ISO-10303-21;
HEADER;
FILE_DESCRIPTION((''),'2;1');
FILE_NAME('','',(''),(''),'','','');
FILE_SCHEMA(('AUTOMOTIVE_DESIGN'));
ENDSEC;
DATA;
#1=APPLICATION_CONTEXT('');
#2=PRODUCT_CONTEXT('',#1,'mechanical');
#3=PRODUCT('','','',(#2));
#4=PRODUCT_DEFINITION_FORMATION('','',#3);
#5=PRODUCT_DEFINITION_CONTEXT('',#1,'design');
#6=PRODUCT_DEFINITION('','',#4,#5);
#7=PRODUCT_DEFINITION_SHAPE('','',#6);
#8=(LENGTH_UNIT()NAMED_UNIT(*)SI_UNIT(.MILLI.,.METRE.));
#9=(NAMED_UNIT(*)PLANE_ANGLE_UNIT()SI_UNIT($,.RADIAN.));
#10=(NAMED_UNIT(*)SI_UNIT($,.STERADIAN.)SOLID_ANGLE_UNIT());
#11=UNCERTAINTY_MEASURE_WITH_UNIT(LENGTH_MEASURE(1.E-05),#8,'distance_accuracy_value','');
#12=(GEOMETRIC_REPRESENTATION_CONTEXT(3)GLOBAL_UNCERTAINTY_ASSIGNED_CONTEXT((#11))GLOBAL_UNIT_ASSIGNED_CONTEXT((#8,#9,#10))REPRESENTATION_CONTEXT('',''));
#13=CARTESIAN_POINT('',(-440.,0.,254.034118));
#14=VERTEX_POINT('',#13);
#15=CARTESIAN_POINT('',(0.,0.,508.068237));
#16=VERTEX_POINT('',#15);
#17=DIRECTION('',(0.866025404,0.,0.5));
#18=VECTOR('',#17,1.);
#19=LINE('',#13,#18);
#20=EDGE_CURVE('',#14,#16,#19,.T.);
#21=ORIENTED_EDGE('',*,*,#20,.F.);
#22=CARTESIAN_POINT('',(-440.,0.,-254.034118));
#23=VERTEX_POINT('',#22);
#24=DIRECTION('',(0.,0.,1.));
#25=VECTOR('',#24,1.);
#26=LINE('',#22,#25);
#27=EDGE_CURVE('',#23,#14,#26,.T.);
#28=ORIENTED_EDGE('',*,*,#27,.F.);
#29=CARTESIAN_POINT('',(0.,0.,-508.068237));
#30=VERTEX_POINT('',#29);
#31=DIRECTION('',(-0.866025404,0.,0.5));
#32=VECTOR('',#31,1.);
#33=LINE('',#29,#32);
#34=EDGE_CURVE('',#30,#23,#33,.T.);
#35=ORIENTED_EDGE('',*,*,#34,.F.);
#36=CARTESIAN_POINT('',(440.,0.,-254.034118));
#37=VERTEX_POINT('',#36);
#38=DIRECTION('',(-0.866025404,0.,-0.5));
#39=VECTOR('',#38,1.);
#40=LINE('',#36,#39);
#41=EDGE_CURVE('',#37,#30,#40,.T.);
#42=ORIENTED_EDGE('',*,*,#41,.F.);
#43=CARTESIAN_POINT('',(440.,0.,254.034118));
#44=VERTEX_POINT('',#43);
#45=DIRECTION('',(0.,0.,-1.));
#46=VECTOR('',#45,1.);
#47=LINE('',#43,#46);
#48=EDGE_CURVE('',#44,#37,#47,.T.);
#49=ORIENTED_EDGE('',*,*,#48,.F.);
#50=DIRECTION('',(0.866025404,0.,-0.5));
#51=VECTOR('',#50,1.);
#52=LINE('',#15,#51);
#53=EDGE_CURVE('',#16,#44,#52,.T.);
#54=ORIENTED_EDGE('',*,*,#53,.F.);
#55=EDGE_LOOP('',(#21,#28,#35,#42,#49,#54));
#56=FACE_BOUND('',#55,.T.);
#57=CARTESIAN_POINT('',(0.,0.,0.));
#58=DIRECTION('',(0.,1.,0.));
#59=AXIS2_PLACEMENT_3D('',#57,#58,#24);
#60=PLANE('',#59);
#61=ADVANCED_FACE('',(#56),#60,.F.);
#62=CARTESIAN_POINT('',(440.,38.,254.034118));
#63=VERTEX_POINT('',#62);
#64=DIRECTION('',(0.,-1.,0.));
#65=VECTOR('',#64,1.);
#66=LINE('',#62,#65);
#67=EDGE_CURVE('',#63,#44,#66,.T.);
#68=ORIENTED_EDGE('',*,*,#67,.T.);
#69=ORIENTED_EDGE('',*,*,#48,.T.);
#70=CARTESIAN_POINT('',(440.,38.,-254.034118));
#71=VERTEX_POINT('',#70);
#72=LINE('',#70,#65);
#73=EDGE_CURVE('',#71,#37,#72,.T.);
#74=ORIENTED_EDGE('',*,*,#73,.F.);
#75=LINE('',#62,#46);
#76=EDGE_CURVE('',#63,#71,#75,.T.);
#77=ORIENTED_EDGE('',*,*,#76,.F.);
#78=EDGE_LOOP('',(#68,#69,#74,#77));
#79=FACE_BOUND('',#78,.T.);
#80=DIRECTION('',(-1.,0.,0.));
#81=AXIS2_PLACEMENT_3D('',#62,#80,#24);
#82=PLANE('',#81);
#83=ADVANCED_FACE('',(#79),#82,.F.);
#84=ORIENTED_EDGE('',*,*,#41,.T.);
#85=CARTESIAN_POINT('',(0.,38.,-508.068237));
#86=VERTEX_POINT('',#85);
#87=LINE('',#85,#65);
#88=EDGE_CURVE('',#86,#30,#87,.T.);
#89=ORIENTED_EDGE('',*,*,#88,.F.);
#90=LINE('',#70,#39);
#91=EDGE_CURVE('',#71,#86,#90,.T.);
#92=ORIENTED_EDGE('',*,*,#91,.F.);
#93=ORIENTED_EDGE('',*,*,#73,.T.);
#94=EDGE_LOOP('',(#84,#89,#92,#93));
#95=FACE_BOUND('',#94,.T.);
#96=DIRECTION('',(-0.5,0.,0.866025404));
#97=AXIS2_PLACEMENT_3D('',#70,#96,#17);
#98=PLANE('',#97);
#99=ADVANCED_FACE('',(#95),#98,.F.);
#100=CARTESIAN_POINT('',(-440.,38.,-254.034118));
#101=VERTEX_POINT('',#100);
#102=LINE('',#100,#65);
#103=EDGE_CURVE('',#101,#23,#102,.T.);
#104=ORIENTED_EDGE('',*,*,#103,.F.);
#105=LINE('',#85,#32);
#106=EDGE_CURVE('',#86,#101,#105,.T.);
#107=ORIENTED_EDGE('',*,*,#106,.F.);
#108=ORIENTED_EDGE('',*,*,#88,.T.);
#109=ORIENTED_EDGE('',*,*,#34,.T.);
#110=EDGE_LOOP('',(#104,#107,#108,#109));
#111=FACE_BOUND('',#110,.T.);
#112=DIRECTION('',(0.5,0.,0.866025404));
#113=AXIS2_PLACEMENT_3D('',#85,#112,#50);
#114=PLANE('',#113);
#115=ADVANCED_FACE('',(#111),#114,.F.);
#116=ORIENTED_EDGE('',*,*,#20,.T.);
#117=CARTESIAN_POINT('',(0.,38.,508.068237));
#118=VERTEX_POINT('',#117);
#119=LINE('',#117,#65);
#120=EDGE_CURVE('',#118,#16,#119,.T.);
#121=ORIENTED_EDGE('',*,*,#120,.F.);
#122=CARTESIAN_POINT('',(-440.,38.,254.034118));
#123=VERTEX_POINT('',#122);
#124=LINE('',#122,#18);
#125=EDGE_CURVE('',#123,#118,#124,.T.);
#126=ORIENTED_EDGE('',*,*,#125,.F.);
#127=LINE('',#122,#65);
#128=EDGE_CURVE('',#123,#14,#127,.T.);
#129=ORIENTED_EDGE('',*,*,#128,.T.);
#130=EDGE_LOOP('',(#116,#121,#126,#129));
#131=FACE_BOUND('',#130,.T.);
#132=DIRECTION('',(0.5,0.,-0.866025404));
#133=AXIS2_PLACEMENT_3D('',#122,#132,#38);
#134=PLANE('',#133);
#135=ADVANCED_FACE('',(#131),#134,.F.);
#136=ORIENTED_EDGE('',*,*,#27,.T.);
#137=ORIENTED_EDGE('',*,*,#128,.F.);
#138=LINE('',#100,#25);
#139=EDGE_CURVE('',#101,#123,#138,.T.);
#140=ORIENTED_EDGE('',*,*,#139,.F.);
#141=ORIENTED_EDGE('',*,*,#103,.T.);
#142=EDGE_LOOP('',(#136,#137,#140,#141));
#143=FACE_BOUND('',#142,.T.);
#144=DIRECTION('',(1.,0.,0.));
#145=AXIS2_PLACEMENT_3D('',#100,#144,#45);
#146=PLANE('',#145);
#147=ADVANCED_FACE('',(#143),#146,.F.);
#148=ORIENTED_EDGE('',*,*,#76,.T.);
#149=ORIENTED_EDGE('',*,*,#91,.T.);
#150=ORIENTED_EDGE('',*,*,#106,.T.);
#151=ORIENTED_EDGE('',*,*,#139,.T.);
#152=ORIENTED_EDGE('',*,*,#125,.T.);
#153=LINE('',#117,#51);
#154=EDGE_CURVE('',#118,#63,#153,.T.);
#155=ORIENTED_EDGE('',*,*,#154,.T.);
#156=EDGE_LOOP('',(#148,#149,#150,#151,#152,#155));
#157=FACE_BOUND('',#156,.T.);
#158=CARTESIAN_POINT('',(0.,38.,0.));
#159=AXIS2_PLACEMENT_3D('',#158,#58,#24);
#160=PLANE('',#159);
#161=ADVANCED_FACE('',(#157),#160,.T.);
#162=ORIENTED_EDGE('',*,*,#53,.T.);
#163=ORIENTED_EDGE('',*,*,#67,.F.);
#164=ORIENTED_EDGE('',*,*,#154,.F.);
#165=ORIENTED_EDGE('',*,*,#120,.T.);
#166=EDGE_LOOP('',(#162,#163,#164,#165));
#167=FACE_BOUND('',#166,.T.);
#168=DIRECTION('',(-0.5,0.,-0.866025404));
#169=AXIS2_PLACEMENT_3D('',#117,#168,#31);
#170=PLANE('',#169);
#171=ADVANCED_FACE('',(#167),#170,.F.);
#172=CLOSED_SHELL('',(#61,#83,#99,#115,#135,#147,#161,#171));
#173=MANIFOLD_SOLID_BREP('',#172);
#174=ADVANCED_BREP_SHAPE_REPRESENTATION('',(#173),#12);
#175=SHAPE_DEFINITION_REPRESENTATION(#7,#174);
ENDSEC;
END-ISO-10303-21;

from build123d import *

# Parameters (mm, degrees)
BOSS_EXTRU_1_DEPTH = 38


with BuildPart() as part:
    # Esquisse1 → Boss.-Extru.1 (new body)
    with BuildSketch(Plane(origin=(0, 0, 0), x_dir=(1, 0, 0), z_dir=(0, 1, 0))):
        Polygon((440, -254.034118443), (440, 254.034118443), (0, 508.068236887), (-440, 254.034118443), (-440, -254.034118443), (0, -508.068236887), align=None)
    extrude(amount=BOSS_EXTRU_1_DEPTH)


solid = part.part
